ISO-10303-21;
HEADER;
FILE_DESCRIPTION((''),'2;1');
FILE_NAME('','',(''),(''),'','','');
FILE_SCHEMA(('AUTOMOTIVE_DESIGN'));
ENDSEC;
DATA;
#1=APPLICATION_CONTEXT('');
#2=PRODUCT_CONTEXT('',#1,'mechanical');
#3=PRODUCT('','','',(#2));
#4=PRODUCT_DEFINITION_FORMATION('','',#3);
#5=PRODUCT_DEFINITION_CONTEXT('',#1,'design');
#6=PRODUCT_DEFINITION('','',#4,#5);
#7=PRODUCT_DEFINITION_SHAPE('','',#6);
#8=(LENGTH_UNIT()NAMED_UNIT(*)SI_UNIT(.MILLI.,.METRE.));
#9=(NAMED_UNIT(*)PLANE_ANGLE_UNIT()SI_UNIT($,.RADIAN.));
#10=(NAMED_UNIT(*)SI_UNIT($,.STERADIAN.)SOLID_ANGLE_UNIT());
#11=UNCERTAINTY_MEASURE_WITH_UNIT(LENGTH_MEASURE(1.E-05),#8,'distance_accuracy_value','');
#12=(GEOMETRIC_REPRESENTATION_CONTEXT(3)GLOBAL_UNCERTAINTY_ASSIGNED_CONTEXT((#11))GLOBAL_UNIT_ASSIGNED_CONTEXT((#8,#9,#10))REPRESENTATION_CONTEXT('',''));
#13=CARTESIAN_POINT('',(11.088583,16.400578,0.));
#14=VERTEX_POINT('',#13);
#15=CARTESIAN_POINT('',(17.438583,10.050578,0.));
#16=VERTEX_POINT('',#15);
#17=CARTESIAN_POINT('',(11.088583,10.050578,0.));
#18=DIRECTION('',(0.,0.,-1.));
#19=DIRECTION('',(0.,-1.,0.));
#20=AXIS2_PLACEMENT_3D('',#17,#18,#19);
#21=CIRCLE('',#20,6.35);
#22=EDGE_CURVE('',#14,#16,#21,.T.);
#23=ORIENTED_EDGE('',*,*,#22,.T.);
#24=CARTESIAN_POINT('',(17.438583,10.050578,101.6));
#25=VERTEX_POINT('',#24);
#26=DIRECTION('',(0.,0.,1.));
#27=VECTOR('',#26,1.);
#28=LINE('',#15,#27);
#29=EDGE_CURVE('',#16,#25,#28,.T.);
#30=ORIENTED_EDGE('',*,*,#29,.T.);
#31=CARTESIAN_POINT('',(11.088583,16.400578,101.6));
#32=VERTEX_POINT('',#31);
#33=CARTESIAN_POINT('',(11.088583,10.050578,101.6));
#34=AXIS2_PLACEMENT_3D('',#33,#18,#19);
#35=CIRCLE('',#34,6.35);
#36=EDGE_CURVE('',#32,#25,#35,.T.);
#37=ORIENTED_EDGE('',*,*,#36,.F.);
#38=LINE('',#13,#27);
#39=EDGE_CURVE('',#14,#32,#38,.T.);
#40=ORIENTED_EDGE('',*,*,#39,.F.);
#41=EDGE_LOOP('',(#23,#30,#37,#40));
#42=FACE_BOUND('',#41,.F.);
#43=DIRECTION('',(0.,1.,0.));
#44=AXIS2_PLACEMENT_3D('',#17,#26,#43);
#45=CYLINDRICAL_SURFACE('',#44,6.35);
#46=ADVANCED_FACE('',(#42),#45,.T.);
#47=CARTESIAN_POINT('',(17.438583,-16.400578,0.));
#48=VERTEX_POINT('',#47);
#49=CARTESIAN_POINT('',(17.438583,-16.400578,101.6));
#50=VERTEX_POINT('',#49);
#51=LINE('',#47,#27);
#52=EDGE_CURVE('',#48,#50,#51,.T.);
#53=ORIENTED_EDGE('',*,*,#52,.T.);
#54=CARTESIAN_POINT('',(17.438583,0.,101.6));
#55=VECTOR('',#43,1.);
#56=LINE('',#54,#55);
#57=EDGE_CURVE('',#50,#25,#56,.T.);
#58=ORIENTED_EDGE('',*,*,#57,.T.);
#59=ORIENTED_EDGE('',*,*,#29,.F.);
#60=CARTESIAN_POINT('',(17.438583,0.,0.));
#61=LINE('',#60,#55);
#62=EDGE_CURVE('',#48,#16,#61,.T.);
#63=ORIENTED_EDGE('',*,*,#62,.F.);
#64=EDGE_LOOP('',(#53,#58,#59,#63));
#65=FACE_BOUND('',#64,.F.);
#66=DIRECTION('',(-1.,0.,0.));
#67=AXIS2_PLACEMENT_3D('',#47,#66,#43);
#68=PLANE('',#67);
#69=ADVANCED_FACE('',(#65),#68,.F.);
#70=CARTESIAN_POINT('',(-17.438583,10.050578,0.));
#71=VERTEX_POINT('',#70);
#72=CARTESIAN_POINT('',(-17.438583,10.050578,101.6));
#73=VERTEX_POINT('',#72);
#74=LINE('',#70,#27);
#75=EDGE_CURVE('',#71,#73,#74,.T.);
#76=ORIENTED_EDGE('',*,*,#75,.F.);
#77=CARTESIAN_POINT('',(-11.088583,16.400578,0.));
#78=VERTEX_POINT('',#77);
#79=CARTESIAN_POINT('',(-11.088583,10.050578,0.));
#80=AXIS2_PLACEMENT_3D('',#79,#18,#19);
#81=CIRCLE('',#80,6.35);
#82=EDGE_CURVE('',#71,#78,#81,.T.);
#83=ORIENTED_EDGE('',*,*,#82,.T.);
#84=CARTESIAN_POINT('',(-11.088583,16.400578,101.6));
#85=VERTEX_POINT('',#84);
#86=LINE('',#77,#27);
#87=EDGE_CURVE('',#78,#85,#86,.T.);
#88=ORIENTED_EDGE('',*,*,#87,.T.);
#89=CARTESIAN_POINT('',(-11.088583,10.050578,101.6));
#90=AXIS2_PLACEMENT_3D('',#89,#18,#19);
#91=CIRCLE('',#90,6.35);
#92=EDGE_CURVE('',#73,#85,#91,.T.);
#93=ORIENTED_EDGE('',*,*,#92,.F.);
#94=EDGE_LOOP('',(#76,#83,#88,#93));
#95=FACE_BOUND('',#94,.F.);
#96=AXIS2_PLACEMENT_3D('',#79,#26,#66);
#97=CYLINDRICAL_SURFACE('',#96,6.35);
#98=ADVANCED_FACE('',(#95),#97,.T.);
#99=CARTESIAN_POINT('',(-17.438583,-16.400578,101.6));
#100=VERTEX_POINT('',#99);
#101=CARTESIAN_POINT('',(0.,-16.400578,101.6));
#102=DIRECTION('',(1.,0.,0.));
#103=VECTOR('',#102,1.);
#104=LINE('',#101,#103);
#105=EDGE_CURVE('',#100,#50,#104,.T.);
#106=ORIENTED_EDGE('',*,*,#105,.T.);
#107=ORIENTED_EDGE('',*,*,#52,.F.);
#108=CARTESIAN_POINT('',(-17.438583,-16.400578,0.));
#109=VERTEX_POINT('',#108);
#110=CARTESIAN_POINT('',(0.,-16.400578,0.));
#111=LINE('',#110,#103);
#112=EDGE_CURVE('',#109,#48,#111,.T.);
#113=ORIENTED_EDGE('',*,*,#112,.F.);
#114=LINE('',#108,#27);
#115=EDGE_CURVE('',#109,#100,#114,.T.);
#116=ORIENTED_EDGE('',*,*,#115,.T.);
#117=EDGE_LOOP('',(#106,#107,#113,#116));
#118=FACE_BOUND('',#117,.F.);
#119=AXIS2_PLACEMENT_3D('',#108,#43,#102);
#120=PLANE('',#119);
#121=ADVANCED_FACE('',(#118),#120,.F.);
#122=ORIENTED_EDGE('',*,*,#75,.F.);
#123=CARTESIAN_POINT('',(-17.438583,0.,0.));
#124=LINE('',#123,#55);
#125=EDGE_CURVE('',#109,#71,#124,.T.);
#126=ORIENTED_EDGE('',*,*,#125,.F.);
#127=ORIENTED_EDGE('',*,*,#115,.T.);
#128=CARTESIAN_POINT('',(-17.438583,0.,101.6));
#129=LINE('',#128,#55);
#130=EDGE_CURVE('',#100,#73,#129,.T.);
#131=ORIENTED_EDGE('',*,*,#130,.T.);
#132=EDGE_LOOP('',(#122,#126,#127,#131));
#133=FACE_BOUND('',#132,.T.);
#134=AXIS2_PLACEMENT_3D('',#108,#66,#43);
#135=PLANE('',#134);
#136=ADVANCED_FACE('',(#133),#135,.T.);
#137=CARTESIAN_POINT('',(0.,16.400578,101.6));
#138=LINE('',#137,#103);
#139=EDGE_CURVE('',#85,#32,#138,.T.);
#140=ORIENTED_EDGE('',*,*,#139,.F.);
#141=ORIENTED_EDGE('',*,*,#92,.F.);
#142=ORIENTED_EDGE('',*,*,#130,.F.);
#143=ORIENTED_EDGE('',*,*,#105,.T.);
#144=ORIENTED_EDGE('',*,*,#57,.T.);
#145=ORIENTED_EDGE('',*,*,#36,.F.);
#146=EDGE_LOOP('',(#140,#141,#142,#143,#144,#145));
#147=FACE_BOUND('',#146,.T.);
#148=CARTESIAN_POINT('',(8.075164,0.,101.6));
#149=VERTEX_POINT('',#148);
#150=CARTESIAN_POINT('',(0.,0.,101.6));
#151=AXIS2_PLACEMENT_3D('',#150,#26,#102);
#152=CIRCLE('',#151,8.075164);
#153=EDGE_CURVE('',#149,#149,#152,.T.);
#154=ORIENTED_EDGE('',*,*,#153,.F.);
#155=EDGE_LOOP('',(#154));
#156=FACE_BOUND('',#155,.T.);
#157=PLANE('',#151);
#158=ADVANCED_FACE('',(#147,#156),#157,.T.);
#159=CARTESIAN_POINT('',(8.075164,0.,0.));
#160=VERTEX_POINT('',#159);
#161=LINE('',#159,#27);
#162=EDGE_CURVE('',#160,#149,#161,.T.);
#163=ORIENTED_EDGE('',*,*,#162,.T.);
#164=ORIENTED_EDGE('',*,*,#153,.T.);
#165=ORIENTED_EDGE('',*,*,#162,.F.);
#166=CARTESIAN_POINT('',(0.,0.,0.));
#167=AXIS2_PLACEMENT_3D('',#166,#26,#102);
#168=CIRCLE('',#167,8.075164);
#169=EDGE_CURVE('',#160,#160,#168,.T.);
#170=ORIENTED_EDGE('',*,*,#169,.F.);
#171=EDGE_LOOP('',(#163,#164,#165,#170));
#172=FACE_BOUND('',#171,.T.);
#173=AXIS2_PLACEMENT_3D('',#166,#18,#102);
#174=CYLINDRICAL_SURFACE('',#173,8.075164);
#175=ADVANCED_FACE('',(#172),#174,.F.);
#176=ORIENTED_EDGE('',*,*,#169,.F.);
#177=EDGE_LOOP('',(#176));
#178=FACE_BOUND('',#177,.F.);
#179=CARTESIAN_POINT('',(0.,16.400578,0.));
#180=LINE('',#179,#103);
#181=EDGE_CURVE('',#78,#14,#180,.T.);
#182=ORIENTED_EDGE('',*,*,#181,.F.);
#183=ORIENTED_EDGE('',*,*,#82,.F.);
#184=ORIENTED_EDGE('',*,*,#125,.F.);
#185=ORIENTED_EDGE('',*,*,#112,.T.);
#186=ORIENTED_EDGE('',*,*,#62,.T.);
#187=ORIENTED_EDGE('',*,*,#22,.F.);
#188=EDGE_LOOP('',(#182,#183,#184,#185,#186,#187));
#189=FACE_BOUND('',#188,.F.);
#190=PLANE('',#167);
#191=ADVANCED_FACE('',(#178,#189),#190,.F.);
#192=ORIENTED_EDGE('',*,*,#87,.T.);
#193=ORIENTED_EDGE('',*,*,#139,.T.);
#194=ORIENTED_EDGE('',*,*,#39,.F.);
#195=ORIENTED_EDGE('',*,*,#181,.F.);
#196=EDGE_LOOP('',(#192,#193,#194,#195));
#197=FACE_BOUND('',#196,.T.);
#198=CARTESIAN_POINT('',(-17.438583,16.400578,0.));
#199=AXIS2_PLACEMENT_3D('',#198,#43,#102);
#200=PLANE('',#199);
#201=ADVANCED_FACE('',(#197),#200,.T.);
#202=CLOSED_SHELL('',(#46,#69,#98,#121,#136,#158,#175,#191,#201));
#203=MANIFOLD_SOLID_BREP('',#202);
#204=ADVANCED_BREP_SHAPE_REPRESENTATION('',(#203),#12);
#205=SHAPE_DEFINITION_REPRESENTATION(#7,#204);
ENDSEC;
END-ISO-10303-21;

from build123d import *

# Parameters (mm, degrees)
F0_W     = 34.877166
F0_H     = 32.801156
F0_R     = 8.075164
F1_DEPTH = 101.6
F2_R     = 6.35


with BuildPart() as f1:
    # F0 (on Top) → F1 (new body)
    with BuildSketch(Plane.XY):
        Rectangle(F0_W, F0_H)
        Circle(F0_R, mode=Mode.SUBTRACT)
    extrude(amount=F1_DEPTH)

    # F2
    f2_edges = [f1.edges().sort_by_distance(p)[0] for p in [
        (-17.438583, 16.400578, 50.8),
        (17.438583, 16.400578, 50.8),
    ]]
    fillet(f2_edges, radius=F2_R)


solid = f1.part
